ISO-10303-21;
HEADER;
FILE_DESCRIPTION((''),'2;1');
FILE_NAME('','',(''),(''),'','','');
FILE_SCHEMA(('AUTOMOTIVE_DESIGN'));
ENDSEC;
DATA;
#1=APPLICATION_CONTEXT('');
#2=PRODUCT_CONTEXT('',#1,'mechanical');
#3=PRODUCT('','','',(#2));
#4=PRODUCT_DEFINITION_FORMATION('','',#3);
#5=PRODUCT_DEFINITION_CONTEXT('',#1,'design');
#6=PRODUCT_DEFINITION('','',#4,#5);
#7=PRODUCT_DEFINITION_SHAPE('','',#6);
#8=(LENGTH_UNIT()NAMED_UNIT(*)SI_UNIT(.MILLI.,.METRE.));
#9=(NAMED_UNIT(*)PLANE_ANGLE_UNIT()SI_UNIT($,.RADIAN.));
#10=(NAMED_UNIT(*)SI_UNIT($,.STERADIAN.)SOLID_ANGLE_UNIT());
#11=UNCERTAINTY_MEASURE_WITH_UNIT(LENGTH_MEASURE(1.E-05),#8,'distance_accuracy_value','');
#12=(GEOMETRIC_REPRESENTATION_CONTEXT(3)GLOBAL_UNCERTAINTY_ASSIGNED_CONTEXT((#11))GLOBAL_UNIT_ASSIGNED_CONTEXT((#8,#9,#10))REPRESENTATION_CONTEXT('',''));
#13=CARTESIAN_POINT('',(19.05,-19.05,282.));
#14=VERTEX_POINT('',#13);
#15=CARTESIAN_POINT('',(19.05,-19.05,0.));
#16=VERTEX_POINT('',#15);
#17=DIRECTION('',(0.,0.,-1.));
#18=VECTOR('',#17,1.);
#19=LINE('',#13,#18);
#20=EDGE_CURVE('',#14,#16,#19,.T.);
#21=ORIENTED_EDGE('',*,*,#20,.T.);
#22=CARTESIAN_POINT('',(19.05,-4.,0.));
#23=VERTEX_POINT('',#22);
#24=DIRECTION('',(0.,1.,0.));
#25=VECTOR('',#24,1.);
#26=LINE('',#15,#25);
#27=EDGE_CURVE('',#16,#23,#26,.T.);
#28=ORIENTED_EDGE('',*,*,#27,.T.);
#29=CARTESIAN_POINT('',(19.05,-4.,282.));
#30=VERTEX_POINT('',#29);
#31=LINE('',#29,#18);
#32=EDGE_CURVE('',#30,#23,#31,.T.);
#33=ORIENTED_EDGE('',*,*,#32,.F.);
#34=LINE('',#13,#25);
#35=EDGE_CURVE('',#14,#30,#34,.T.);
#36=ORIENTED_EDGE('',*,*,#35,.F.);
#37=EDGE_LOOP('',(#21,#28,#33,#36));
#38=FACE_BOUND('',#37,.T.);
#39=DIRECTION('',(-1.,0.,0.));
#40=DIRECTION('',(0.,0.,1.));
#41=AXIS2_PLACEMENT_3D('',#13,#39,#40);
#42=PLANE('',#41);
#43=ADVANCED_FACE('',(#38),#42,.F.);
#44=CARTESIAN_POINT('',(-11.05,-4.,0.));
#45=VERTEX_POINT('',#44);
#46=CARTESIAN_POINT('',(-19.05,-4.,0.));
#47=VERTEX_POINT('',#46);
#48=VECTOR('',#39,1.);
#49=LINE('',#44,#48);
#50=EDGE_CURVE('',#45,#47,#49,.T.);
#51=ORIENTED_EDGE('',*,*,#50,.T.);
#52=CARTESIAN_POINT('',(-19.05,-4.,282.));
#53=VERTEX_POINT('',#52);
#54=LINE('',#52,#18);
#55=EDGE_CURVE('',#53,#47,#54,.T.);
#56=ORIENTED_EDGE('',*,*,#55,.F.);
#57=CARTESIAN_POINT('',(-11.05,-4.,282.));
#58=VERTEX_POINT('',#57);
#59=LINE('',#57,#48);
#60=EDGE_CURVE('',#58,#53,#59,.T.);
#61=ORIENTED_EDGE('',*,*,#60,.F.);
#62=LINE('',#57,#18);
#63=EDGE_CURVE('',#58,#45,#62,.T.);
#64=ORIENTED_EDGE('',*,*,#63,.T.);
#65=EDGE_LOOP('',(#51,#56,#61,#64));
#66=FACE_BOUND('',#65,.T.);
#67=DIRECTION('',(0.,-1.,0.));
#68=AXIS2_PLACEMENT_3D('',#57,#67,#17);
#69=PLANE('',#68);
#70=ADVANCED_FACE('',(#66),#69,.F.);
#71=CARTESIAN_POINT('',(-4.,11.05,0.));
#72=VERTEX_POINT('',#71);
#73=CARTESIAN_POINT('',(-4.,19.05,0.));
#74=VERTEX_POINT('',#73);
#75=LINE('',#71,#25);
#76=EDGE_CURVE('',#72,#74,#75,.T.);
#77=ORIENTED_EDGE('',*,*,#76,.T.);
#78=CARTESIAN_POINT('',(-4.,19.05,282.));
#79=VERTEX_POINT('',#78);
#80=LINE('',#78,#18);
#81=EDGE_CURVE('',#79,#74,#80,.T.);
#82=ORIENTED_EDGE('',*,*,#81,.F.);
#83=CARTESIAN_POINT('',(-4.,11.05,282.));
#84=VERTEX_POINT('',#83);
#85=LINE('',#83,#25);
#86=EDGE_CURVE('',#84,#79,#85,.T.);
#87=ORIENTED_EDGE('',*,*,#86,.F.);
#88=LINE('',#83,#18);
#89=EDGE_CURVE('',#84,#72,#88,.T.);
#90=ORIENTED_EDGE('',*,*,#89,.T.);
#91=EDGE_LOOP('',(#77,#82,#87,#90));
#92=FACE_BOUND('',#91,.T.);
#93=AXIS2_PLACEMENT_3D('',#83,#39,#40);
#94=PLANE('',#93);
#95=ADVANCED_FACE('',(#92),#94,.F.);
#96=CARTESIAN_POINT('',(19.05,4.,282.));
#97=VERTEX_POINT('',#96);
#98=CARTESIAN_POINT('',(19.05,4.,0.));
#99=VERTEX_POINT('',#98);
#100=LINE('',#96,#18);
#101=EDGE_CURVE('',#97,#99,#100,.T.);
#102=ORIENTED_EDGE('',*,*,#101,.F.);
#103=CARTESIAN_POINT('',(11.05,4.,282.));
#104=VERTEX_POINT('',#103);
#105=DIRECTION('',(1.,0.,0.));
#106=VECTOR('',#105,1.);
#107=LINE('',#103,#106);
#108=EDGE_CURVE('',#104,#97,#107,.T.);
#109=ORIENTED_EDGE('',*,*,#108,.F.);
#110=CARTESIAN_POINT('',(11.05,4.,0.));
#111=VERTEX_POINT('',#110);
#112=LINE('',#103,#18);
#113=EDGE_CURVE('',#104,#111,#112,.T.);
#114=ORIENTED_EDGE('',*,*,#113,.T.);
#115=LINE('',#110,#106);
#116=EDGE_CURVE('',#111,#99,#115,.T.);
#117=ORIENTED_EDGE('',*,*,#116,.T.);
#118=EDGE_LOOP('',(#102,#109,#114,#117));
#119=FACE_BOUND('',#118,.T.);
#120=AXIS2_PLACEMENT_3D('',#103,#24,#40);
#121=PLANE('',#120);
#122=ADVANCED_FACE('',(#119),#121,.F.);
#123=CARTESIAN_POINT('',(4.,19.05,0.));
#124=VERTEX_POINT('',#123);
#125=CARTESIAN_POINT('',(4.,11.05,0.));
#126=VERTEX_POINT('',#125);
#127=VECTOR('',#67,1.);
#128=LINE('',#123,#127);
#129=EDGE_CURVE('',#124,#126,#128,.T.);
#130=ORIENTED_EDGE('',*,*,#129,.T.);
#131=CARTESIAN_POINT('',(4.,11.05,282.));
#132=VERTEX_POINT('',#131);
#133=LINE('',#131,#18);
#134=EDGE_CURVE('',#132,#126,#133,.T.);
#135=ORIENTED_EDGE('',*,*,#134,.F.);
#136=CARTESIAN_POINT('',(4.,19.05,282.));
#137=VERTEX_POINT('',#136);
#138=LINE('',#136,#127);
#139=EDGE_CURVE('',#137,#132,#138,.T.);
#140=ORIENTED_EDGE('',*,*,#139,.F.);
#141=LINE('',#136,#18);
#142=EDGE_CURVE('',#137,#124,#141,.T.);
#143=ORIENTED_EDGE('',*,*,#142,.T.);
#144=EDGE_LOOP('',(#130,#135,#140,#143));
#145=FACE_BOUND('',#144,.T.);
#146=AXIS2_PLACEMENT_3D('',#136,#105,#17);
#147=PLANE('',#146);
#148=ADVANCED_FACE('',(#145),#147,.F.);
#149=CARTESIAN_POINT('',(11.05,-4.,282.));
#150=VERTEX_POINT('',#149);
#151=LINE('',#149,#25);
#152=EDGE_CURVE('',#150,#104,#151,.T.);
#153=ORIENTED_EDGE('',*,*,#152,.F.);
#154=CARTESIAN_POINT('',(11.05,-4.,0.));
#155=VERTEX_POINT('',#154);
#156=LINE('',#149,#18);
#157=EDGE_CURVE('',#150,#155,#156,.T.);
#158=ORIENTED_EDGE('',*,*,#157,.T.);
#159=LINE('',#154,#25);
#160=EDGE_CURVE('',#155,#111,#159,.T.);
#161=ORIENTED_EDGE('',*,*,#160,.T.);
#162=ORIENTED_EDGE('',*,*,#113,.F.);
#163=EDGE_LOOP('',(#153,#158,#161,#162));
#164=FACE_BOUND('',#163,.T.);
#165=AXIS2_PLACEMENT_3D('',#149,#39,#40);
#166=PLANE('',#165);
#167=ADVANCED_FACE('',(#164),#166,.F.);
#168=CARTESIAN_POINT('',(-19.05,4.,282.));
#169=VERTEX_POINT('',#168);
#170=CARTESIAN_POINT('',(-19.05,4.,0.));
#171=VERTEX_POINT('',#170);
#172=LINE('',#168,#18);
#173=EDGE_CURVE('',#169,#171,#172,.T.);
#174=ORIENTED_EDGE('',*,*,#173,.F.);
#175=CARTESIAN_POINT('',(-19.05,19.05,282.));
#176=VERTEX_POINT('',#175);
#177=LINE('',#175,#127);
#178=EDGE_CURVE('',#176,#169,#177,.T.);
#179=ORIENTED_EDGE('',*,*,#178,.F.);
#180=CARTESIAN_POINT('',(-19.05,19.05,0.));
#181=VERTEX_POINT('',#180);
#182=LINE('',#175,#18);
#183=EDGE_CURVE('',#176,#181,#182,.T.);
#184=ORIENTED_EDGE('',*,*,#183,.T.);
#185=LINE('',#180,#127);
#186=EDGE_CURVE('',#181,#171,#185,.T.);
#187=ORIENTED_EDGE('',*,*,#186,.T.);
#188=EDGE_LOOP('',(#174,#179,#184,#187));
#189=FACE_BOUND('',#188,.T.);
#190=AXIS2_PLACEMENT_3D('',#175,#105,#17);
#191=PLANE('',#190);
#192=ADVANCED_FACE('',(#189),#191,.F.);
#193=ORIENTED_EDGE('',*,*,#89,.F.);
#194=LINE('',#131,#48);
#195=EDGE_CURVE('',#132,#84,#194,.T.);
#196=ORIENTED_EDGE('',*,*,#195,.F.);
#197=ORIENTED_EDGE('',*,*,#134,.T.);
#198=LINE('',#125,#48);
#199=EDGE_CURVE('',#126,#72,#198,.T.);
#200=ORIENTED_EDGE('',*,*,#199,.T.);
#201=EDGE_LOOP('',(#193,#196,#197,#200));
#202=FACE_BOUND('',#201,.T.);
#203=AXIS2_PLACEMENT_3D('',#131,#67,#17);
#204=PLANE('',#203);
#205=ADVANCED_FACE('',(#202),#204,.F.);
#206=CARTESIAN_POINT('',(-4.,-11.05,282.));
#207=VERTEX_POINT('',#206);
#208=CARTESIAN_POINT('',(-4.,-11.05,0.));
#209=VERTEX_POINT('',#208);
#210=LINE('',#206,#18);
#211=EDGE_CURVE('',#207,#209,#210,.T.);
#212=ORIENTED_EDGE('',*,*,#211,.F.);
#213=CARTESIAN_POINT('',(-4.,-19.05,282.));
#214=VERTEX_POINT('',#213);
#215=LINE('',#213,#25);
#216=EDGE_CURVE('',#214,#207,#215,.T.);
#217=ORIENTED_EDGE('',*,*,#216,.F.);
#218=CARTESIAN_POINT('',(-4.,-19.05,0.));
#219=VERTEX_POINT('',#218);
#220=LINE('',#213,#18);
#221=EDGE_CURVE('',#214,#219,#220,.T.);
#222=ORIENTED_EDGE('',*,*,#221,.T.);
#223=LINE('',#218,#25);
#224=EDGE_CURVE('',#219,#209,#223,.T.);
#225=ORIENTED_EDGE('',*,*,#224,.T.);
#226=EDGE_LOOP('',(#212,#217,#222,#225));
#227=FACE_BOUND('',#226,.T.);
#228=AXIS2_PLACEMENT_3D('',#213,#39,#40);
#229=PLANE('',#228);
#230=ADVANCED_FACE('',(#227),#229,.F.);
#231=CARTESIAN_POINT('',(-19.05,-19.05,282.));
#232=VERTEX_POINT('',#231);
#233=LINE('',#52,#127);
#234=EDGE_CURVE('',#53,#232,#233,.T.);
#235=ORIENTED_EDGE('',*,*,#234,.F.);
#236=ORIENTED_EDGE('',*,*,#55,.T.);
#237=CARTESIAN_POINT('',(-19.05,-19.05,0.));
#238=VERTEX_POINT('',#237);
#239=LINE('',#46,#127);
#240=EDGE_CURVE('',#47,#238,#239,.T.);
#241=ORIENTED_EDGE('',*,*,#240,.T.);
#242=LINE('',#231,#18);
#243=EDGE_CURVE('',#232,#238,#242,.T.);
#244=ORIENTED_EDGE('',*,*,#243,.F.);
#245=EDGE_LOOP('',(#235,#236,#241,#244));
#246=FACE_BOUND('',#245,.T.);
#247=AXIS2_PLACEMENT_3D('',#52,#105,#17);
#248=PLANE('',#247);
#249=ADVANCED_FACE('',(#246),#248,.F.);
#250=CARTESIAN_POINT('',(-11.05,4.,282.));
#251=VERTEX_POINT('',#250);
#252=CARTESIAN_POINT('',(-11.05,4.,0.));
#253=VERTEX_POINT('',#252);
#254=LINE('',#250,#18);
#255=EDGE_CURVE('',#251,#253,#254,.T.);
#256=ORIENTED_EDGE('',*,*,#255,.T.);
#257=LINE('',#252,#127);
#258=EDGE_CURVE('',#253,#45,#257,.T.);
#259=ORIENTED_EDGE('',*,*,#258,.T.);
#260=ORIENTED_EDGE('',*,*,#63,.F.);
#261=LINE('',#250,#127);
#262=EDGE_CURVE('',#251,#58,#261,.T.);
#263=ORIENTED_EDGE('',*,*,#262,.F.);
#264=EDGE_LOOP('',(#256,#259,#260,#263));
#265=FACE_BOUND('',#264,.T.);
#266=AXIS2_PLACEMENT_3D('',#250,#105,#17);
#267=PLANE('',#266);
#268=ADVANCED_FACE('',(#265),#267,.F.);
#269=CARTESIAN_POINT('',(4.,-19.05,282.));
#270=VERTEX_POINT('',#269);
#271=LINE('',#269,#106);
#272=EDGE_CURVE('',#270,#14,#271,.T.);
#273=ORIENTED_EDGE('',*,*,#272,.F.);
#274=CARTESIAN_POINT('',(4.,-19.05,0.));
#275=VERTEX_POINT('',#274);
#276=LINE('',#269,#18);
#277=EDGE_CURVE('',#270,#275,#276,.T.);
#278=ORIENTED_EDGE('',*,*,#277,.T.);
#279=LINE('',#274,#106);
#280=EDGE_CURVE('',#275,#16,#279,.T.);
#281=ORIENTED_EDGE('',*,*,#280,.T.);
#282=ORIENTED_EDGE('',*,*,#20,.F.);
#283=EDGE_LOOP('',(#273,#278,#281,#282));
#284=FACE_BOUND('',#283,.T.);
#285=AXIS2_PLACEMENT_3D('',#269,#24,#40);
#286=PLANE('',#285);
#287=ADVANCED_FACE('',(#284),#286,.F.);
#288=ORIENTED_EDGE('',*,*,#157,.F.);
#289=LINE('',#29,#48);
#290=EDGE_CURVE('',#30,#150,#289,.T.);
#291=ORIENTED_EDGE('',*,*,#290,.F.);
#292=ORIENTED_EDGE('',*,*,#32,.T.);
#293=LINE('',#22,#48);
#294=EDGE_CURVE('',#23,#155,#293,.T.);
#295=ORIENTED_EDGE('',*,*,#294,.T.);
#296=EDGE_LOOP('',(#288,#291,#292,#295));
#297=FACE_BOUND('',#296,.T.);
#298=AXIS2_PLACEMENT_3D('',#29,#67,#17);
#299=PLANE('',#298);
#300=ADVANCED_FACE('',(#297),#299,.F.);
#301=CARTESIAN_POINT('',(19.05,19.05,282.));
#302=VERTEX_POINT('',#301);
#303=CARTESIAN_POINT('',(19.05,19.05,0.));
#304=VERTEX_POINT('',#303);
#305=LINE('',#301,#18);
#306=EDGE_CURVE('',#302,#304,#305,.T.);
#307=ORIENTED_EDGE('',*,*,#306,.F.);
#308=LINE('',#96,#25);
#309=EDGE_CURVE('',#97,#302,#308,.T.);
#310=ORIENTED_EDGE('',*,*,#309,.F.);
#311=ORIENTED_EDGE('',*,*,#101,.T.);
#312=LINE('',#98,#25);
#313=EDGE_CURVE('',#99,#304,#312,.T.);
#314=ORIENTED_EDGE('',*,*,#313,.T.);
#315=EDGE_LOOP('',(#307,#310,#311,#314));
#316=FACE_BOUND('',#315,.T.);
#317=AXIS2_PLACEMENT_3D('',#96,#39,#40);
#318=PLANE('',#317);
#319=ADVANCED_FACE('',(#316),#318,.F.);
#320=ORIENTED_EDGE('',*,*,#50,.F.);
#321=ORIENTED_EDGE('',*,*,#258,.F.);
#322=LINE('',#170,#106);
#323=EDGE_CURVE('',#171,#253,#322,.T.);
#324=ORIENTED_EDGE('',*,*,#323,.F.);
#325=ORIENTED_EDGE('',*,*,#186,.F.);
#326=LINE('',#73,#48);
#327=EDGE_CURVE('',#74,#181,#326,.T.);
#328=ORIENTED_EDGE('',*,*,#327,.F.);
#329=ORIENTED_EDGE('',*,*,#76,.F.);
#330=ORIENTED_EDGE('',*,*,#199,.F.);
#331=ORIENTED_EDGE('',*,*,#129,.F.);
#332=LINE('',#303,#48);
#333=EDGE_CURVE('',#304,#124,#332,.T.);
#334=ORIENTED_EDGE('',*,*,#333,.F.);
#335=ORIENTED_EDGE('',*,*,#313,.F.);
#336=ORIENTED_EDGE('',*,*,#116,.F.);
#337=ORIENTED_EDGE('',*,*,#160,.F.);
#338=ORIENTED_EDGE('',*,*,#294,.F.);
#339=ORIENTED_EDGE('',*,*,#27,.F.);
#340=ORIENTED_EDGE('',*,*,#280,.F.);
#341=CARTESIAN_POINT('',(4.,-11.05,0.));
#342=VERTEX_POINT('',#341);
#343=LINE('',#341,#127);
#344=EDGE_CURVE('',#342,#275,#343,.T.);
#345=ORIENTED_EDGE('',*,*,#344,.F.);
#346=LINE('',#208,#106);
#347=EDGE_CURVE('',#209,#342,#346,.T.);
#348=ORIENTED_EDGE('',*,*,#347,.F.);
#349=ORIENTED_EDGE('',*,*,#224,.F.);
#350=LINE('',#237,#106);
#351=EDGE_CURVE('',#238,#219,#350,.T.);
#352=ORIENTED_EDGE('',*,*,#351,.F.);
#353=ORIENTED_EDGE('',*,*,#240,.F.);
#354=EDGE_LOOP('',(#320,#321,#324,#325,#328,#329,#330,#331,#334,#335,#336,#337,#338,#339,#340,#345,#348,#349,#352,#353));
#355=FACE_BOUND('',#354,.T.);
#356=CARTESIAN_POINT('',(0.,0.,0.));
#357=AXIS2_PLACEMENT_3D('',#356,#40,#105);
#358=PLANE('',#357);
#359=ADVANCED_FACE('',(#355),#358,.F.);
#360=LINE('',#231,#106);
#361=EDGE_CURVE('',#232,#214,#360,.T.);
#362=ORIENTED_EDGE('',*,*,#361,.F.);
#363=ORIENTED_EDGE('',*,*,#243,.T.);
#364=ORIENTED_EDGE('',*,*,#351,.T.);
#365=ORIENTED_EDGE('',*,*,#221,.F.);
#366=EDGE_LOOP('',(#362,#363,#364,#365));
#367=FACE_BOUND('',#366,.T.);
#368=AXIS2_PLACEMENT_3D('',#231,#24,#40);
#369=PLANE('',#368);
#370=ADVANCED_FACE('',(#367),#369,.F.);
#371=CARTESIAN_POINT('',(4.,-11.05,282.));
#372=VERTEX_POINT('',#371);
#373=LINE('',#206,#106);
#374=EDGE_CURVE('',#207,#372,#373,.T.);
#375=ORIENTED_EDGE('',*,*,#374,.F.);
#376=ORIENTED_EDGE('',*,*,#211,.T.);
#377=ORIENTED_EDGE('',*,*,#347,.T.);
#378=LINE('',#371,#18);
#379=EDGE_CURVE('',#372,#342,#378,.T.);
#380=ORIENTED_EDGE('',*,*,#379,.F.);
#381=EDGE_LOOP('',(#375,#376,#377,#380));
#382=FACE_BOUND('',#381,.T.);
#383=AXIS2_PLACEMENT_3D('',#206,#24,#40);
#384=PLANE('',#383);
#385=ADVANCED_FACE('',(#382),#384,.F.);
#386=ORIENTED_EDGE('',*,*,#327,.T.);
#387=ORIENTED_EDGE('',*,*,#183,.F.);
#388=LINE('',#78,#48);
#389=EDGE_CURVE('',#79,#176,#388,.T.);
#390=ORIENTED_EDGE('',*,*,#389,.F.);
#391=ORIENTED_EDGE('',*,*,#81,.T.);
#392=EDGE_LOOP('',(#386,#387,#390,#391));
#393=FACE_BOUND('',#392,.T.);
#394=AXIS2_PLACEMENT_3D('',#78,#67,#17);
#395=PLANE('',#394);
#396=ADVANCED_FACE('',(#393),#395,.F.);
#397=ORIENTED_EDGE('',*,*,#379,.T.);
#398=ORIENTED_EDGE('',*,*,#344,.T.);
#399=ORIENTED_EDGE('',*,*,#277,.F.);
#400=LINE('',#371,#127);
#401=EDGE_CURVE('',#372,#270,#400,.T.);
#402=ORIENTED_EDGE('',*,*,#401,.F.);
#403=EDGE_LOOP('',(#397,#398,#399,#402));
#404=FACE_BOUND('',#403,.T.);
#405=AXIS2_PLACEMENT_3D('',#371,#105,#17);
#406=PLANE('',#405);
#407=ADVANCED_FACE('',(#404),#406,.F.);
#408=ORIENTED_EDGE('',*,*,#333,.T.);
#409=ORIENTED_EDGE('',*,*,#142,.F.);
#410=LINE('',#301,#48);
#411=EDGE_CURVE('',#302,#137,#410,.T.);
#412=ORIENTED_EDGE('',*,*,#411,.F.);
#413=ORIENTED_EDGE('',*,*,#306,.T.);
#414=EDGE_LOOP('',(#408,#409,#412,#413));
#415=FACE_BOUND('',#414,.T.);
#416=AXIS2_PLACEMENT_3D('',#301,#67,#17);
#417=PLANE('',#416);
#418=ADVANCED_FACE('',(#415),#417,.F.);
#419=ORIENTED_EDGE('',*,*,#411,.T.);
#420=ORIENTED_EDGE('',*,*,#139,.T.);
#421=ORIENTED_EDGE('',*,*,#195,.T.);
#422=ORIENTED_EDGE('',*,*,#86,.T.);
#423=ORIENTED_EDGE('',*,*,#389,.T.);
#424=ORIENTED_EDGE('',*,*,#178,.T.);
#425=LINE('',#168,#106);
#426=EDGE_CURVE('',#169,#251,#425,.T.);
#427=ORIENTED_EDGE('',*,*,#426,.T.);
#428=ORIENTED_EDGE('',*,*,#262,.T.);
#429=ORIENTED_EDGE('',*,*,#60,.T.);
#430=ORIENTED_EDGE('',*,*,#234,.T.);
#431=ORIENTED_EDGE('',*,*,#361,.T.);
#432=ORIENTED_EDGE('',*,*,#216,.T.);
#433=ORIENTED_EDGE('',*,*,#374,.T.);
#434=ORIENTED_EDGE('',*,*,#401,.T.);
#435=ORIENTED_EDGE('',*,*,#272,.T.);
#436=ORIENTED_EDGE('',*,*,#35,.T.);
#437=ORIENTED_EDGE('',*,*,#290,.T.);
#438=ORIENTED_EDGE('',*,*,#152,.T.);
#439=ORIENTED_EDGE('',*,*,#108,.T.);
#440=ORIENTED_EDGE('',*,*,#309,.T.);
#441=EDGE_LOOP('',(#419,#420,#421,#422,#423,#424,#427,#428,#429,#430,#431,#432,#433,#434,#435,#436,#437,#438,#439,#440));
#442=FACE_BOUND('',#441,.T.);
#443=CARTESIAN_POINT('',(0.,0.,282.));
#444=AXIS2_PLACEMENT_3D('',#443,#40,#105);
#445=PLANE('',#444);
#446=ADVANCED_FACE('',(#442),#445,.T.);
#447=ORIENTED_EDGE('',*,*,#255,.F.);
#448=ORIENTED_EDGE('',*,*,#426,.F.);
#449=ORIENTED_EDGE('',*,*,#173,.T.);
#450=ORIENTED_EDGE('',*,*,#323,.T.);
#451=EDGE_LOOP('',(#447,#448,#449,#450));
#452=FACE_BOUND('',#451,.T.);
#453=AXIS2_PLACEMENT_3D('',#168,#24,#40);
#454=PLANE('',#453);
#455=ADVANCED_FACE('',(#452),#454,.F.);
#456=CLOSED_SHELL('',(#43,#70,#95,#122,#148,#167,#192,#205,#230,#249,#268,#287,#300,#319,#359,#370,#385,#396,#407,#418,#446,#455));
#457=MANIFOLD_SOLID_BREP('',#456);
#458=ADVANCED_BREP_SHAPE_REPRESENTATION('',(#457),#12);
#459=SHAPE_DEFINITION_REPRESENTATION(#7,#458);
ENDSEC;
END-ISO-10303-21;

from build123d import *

# Parameters (mm, degrees)
PROFILE_DEPTH = 282


with BuildPart() as part:
    # Sketch1 → Profile (new body)
    with BuildSketch(Plane.XY):
        Polygon((-19.05, -19.05), (-4, -19.05), (-4, -11.05), (4, -11.05), (4, -19.05), (19.05, -19.05), (19.05, -4), (11.05, -4), (11.05, 4), (19.05, 4), (19.05, 19.05), (4, 19.05), (4, 11.05), (-4, 11.05), (-4, 19.05), (-19.05, 19.05), (-19.05, 4), (-11.05, 4), (-11.05, -4), (-19.05, -4), align=None)
    extrude(amount=PROFILE_DEPTH)


solid = part.part
